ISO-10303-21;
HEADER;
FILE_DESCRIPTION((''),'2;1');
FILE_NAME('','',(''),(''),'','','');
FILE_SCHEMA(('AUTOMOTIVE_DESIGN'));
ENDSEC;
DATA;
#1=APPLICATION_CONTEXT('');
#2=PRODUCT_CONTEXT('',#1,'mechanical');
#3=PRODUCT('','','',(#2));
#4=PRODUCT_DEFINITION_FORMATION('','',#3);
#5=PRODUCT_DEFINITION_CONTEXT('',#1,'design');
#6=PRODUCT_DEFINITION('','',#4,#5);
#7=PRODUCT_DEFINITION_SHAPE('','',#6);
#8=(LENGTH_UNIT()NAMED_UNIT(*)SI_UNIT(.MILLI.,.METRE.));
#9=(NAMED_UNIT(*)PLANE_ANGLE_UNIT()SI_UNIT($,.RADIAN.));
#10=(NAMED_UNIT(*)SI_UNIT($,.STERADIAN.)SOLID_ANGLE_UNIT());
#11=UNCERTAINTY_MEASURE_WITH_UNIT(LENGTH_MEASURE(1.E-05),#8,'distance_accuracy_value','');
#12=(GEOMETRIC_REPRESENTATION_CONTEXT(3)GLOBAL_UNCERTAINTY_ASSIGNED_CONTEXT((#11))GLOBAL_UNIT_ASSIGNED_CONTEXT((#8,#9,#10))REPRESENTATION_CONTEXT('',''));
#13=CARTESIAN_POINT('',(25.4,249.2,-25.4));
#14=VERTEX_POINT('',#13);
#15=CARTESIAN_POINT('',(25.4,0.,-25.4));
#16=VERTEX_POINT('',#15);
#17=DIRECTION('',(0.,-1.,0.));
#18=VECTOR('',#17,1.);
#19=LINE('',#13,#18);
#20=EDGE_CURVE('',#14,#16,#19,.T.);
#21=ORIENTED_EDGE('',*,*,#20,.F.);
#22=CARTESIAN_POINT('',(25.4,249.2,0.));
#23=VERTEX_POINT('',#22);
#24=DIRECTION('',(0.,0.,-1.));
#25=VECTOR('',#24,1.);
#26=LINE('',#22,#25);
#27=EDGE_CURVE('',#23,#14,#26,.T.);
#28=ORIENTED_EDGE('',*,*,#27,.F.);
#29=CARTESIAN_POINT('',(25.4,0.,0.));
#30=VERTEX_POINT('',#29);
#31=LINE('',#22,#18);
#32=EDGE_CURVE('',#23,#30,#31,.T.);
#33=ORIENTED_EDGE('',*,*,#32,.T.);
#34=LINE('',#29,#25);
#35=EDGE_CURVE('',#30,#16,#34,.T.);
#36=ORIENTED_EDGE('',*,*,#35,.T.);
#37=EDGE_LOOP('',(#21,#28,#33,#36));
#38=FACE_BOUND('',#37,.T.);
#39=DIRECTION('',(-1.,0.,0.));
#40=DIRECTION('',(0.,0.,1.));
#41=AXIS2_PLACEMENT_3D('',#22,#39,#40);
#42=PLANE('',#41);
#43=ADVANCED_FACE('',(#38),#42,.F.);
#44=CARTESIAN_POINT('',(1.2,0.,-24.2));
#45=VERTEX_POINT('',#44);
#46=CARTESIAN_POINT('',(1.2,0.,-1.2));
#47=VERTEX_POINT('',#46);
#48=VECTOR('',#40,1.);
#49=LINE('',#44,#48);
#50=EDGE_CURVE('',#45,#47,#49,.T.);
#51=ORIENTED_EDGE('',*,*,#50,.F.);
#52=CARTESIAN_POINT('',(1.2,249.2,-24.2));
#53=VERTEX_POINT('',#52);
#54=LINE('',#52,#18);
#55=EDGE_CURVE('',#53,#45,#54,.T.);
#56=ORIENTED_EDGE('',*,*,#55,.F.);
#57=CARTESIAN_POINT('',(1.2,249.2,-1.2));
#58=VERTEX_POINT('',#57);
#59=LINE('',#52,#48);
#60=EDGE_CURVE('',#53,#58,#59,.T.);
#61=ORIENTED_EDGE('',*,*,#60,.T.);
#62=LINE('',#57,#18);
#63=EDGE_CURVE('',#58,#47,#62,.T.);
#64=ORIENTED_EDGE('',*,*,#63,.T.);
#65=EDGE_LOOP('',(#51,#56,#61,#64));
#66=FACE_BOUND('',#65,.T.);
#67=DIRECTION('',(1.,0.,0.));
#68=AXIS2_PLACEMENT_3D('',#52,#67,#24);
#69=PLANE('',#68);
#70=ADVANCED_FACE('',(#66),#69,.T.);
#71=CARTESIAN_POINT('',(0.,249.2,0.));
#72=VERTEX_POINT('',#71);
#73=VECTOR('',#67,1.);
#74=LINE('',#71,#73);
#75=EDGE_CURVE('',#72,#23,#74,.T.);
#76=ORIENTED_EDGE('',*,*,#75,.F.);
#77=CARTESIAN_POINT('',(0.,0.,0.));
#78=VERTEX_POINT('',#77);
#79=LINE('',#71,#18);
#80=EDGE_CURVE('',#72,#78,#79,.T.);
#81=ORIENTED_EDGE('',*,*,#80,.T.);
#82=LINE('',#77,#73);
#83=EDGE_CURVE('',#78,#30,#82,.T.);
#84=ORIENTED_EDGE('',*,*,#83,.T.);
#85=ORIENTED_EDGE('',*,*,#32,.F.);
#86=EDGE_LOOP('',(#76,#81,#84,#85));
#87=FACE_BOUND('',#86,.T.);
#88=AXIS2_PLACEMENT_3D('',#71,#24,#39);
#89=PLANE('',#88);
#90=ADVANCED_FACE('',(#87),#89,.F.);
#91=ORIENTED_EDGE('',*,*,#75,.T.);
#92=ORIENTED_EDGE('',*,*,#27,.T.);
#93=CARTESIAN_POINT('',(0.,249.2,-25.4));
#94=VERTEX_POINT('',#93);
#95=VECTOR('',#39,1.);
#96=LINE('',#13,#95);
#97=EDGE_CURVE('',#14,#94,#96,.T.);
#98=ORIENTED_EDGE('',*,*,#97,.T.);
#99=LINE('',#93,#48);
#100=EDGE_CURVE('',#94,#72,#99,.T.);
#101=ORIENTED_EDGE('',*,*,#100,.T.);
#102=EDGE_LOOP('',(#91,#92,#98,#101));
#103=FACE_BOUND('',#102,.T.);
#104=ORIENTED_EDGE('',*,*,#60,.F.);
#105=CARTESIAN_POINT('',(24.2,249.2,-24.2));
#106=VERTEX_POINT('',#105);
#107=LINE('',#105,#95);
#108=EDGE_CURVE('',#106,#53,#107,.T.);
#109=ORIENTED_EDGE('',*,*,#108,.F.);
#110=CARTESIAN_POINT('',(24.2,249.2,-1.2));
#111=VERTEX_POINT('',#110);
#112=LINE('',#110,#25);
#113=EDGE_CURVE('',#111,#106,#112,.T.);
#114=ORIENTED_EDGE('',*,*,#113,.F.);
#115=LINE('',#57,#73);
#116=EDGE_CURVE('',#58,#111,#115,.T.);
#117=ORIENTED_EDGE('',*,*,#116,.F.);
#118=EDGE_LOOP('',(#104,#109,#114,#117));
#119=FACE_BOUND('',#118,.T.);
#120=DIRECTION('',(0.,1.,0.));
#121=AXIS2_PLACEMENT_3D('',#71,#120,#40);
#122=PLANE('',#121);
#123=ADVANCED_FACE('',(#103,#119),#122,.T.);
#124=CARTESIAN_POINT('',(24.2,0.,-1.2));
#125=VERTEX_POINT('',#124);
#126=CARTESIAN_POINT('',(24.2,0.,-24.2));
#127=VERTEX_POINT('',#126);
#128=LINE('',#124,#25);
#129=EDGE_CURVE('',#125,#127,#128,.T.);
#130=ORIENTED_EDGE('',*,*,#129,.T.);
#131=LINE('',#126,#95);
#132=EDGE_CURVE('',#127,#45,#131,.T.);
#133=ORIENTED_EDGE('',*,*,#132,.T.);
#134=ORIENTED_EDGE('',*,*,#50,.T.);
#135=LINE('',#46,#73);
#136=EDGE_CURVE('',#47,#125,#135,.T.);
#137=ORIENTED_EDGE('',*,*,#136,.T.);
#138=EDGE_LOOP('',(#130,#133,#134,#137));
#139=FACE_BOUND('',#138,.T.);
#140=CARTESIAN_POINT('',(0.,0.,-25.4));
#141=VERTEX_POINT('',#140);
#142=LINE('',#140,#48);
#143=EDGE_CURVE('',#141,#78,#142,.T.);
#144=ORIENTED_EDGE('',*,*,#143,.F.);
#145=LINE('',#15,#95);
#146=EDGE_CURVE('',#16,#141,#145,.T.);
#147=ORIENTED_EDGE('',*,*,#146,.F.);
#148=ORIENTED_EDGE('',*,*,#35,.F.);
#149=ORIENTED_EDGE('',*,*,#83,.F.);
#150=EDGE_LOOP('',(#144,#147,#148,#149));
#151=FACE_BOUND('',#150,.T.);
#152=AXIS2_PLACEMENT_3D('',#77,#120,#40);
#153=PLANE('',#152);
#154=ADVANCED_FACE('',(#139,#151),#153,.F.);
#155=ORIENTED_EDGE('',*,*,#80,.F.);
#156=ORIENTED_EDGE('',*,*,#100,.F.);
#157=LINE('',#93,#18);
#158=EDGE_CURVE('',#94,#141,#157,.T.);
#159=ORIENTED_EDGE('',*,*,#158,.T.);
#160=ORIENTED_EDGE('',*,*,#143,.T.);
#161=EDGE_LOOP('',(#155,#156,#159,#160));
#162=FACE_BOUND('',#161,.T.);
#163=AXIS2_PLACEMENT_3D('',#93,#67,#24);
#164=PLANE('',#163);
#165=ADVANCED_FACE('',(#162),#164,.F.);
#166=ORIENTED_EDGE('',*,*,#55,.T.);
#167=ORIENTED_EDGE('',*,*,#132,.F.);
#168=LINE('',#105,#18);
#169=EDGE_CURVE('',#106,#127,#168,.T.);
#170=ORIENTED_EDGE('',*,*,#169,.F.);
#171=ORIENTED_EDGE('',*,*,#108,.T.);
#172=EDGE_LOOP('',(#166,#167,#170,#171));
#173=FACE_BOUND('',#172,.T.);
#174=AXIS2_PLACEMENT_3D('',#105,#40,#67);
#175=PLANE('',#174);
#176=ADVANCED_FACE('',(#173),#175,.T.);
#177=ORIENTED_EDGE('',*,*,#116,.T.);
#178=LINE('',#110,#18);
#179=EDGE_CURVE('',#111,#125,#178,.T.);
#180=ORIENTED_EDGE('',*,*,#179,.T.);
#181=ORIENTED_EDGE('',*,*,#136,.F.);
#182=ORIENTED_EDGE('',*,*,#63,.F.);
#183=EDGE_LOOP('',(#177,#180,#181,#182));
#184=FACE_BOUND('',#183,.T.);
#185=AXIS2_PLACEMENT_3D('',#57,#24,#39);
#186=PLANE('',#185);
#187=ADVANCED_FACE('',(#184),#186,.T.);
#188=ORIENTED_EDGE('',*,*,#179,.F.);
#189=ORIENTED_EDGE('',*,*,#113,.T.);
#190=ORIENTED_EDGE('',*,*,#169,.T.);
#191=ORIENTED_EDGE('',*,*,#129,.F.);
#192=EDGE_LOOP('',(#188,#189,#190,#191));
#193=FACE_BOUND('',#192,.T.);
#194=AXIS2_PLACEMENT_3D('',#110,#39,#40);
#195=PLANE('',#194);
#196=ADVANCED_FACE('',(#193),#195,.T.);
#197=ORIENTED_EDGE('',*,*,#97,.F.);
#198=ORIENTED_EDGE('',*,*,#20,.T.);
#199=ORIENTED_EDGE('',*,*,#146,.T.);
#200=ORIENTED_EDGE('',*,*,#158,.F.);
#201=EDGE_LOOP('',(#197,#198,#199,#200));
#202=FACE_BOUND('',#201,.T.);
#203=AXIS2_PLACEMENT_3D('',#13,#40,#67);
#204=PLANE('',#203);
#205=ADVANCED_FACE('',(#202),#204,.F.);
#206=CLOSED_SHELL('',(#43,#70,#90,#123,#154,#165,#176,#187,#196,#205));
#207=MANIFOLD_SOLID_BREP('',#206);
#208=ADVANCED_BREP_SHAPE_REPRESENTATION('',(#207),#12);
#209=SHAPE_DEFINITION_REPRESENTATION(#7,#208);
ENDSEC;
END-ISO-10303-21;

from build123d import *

# Parameters (mm, degrees)
SKETCH1_W           = 25.4
SKETCH1_H           = 25.4
SKETCH1_W_2         = 23
SKETCH1_H_2         = 23
BOSS_EXTRUDE1_DEPTH = 249.2


with BuildPart() as part:
    # Sketch1 → Boss-Extrude1 (new body)
    with BuildSketch(Plane(origin=(0, 0, 0), x_dir=(1, 0, 0), z_dir=(0, 1, 0))):
        with Locations((12.7, 12.7)):
            Rectangle(SKETCH1_W, SKETCH1_H)
        with Locations((12.7, 12.7)):
            Rectangle(SKETCH1_W_2, SKETCH1_H_2, mode=Mode.SUBTRACT)
    extrude(amount=BOSS_EXTRUDE1_DEPTH)


solid = part.part
